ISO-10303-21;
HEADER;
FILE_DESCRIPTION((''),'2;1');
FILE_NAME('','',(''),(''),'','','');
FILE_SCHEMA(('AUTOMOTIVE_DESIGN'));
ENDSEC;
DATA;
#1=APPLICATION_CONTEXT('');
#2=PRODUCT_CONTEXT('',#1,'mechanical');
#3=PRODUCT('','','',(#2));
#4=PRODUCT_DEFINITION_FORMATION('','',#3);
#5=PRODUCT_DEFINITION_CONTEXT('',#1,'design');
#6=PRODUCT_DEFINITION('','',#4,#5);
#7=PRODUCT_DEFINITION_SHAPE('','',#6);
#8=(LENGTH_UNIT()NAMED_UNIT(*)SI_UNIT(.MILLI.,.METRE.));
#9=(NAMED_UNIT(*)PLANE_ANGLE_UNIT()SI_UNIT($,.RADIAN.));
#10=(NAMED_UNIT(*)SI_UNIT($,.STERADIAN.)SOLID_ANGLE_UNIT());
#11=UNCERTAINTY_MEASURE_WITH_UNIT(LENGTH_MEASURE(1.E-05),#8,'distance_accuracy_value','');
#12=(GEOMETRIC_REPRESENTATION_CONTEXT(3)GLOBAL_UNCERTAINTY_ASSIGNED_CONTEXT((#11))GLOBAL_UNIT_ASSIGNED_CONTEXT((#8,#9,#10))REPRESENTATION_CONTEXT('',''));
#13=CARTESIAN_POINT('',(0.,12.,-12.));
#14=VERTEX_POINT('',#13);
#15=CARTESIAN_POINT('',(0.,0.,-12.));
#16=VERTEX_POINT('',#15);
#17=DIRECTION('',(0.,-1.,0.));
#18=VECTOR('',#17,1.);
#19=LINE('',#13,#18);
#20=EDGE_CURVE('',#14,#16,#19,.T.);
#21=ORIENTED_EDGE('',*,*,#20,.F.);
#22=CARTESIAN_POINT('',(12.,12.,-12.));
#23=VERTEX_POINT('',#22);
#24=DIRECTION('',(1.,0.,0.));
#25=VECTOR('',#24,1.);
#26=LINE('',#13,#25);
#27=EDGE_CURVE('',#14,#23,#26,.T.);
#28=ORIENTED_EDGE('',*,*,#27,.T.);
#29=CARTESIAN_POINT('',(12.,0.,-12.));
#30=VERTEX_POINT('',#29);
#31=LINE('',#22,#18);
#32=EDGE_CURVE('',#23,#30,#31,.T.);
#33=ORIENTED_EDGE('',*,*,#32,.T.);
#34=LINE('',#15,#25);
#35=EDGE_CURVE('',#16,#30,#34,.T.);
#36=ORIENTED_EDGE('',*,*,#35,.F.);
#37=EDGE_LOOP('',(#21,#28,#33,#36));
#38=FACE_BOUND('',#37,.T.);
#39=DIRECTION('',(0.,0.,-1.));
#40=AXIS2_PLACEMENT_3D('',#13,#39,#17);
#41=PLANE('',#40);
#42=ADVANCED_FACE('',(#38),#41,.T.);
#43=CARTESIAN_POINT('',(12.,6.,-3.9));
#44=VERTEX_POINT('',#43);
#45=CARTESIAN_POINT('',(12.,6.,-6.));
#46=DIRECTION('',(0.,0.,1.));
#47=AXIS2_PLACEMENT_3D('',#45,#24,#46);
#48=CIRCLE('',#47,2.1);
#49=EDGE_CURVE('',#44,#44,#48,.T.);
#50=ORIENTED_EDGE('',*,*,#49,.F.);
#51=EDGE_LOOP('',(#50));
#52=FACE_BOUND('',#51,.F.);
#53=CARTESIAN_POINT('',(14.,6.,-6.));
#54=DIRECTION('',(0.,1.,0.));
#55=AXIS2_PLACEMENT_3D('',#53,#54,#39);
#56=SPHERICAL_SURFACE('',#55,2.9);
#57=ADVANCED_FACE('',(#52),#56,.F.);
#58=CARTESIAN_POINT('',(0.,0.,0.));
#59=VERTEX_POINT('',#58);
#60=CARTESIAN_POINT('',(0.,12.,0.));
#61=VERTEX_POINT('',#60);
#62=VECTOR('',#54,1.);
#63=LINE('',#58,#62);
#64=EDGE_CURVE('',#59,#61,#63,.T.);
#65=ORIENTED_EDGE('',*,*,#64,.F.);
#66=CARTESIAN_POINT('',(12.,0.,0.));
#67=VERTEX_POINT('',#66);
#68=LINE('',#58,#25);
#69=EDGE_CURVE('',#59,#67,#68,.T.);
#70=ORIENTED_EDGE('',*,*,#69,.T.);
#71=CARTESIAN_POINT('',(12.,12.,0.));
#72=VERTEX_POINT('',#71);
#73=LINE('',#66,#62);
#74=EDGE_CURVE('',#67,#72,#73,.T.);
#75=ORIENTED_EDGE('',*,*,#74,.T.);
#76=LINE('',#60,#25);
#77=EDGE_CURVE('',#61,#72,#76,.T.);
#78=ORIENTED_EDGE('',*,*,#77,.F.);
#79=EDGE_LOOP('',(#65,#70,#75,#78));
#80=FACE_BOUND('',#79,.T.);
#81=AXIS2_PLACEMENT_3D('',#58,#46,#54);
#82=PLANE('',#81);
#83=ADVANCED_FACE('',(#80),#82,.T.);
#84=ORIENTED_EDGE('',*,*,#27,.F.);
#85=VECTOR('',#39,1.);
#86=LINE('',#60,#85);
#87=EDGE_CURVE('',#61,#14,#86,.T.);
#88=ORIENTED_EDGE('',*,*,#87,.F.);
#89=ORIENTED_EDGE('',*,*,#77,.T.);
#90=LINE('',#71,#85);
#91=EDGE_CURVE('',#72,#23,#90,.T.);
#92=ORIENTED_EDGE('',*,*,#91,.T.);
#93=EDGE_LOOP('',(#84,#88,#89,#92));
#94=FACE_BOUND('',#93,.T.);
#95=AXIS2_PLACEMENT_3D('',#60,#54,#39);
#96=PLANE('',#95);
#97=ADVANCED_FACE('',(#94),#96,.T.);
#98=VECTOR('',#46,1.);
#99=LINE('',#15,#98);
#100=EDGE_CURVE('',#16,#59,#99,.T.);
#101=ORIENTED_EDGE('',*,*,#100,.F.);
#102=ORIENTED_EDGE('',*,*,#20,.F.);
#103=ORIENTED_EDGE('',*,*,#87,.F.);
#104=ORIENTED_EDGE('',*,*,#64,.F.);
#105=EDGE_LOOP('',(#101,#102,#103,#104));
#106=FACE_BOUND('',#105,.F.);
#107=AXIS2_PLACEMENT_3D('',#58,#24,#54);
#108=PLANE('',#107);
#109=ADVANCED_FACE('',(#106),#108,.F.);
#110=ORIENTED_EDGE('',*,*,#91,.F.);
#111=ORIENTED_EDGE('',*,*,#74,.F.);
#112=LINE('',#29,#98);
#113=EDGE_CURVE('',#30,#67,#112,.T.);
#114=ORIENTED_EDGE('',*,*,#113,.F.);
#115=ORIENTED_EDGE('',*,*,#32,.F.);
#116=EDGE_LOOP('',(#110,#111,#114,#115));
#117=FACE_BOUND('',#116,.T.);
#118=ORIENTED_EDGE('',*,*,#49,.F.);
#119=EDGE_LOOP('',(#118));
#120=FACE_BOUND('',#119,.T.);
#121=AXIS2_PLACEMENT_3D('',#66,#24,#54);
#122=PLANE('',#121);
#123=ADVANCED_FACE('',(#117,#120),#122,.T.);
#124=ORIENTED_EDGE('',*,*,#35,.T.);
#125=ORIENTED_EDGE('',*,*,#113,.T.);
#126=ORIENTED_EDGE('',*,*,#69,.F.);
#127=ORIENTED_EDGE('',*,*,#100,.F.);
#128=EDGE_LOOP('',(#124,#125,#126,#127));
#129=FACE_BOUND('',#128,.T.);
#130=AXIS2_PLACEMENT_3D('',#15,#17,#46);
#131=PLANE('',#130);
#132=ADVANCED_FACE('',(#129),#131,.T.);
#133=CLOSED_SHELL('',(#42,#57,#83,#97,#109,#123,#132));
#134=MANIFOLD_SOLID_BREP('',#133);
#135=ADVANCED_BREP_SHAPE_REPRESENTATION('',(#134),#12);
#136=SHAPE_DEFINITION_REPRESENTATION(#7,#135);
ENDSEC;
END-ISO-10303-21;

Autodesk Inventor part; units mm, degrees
ref_plane "YZ Plane" through (0, 0, 0) normal (1, 0, 0) x (0, 1, 0)
ref_plane "XZ Plane" through (0, 0, 0) normal (0, 1, 0) x (-1, 0, 0)
ref_plane "XY Plane" through (0, 0, 0) normal (0, 0, 1) x (1, 0, 0)
sketch "Sketch1" plane through (0, 0, 0) normal (1, 0, 0) x (0, 1, 0)
  line L0 (0, 0) -> (12, 0)
  line L1 (12, 0) -> (12, -12)
  line L2 (12, -12) -> (0, -12)
  line L3 (0, -12) -> (0, 0)
  dimension "d0" = 12
  dimension "d1" = 12
extrude "Extrusion1" add sketch "Sketch1" along normal blind 12
ref_plane "Work Plane1" through (14, 0, 0) normal (1, 0, 0) x (0, 0, -1)
sketch "Sketch2" plane through (14, 0, 0) normal (1, 0, 0) x (0, 0, -1)
  arc A0 (6, 3.1) -> (6, 8.9) centre (6, 6) ccw
  line L0 (6, 6) -> (6, 8.9)
  line L1 (6, 6) -> (6, 3.1)
  point P0 (0, 0)
  dimension "d5" = 5.8
  dimension "d6" = 6
  dimension "d7" = 6
revolve "Revolution1" cut sketch "Sketch2" angle 360 about axis through (14, 6, -6) along (0, 1, 0)
properties part number "test_part_01"
